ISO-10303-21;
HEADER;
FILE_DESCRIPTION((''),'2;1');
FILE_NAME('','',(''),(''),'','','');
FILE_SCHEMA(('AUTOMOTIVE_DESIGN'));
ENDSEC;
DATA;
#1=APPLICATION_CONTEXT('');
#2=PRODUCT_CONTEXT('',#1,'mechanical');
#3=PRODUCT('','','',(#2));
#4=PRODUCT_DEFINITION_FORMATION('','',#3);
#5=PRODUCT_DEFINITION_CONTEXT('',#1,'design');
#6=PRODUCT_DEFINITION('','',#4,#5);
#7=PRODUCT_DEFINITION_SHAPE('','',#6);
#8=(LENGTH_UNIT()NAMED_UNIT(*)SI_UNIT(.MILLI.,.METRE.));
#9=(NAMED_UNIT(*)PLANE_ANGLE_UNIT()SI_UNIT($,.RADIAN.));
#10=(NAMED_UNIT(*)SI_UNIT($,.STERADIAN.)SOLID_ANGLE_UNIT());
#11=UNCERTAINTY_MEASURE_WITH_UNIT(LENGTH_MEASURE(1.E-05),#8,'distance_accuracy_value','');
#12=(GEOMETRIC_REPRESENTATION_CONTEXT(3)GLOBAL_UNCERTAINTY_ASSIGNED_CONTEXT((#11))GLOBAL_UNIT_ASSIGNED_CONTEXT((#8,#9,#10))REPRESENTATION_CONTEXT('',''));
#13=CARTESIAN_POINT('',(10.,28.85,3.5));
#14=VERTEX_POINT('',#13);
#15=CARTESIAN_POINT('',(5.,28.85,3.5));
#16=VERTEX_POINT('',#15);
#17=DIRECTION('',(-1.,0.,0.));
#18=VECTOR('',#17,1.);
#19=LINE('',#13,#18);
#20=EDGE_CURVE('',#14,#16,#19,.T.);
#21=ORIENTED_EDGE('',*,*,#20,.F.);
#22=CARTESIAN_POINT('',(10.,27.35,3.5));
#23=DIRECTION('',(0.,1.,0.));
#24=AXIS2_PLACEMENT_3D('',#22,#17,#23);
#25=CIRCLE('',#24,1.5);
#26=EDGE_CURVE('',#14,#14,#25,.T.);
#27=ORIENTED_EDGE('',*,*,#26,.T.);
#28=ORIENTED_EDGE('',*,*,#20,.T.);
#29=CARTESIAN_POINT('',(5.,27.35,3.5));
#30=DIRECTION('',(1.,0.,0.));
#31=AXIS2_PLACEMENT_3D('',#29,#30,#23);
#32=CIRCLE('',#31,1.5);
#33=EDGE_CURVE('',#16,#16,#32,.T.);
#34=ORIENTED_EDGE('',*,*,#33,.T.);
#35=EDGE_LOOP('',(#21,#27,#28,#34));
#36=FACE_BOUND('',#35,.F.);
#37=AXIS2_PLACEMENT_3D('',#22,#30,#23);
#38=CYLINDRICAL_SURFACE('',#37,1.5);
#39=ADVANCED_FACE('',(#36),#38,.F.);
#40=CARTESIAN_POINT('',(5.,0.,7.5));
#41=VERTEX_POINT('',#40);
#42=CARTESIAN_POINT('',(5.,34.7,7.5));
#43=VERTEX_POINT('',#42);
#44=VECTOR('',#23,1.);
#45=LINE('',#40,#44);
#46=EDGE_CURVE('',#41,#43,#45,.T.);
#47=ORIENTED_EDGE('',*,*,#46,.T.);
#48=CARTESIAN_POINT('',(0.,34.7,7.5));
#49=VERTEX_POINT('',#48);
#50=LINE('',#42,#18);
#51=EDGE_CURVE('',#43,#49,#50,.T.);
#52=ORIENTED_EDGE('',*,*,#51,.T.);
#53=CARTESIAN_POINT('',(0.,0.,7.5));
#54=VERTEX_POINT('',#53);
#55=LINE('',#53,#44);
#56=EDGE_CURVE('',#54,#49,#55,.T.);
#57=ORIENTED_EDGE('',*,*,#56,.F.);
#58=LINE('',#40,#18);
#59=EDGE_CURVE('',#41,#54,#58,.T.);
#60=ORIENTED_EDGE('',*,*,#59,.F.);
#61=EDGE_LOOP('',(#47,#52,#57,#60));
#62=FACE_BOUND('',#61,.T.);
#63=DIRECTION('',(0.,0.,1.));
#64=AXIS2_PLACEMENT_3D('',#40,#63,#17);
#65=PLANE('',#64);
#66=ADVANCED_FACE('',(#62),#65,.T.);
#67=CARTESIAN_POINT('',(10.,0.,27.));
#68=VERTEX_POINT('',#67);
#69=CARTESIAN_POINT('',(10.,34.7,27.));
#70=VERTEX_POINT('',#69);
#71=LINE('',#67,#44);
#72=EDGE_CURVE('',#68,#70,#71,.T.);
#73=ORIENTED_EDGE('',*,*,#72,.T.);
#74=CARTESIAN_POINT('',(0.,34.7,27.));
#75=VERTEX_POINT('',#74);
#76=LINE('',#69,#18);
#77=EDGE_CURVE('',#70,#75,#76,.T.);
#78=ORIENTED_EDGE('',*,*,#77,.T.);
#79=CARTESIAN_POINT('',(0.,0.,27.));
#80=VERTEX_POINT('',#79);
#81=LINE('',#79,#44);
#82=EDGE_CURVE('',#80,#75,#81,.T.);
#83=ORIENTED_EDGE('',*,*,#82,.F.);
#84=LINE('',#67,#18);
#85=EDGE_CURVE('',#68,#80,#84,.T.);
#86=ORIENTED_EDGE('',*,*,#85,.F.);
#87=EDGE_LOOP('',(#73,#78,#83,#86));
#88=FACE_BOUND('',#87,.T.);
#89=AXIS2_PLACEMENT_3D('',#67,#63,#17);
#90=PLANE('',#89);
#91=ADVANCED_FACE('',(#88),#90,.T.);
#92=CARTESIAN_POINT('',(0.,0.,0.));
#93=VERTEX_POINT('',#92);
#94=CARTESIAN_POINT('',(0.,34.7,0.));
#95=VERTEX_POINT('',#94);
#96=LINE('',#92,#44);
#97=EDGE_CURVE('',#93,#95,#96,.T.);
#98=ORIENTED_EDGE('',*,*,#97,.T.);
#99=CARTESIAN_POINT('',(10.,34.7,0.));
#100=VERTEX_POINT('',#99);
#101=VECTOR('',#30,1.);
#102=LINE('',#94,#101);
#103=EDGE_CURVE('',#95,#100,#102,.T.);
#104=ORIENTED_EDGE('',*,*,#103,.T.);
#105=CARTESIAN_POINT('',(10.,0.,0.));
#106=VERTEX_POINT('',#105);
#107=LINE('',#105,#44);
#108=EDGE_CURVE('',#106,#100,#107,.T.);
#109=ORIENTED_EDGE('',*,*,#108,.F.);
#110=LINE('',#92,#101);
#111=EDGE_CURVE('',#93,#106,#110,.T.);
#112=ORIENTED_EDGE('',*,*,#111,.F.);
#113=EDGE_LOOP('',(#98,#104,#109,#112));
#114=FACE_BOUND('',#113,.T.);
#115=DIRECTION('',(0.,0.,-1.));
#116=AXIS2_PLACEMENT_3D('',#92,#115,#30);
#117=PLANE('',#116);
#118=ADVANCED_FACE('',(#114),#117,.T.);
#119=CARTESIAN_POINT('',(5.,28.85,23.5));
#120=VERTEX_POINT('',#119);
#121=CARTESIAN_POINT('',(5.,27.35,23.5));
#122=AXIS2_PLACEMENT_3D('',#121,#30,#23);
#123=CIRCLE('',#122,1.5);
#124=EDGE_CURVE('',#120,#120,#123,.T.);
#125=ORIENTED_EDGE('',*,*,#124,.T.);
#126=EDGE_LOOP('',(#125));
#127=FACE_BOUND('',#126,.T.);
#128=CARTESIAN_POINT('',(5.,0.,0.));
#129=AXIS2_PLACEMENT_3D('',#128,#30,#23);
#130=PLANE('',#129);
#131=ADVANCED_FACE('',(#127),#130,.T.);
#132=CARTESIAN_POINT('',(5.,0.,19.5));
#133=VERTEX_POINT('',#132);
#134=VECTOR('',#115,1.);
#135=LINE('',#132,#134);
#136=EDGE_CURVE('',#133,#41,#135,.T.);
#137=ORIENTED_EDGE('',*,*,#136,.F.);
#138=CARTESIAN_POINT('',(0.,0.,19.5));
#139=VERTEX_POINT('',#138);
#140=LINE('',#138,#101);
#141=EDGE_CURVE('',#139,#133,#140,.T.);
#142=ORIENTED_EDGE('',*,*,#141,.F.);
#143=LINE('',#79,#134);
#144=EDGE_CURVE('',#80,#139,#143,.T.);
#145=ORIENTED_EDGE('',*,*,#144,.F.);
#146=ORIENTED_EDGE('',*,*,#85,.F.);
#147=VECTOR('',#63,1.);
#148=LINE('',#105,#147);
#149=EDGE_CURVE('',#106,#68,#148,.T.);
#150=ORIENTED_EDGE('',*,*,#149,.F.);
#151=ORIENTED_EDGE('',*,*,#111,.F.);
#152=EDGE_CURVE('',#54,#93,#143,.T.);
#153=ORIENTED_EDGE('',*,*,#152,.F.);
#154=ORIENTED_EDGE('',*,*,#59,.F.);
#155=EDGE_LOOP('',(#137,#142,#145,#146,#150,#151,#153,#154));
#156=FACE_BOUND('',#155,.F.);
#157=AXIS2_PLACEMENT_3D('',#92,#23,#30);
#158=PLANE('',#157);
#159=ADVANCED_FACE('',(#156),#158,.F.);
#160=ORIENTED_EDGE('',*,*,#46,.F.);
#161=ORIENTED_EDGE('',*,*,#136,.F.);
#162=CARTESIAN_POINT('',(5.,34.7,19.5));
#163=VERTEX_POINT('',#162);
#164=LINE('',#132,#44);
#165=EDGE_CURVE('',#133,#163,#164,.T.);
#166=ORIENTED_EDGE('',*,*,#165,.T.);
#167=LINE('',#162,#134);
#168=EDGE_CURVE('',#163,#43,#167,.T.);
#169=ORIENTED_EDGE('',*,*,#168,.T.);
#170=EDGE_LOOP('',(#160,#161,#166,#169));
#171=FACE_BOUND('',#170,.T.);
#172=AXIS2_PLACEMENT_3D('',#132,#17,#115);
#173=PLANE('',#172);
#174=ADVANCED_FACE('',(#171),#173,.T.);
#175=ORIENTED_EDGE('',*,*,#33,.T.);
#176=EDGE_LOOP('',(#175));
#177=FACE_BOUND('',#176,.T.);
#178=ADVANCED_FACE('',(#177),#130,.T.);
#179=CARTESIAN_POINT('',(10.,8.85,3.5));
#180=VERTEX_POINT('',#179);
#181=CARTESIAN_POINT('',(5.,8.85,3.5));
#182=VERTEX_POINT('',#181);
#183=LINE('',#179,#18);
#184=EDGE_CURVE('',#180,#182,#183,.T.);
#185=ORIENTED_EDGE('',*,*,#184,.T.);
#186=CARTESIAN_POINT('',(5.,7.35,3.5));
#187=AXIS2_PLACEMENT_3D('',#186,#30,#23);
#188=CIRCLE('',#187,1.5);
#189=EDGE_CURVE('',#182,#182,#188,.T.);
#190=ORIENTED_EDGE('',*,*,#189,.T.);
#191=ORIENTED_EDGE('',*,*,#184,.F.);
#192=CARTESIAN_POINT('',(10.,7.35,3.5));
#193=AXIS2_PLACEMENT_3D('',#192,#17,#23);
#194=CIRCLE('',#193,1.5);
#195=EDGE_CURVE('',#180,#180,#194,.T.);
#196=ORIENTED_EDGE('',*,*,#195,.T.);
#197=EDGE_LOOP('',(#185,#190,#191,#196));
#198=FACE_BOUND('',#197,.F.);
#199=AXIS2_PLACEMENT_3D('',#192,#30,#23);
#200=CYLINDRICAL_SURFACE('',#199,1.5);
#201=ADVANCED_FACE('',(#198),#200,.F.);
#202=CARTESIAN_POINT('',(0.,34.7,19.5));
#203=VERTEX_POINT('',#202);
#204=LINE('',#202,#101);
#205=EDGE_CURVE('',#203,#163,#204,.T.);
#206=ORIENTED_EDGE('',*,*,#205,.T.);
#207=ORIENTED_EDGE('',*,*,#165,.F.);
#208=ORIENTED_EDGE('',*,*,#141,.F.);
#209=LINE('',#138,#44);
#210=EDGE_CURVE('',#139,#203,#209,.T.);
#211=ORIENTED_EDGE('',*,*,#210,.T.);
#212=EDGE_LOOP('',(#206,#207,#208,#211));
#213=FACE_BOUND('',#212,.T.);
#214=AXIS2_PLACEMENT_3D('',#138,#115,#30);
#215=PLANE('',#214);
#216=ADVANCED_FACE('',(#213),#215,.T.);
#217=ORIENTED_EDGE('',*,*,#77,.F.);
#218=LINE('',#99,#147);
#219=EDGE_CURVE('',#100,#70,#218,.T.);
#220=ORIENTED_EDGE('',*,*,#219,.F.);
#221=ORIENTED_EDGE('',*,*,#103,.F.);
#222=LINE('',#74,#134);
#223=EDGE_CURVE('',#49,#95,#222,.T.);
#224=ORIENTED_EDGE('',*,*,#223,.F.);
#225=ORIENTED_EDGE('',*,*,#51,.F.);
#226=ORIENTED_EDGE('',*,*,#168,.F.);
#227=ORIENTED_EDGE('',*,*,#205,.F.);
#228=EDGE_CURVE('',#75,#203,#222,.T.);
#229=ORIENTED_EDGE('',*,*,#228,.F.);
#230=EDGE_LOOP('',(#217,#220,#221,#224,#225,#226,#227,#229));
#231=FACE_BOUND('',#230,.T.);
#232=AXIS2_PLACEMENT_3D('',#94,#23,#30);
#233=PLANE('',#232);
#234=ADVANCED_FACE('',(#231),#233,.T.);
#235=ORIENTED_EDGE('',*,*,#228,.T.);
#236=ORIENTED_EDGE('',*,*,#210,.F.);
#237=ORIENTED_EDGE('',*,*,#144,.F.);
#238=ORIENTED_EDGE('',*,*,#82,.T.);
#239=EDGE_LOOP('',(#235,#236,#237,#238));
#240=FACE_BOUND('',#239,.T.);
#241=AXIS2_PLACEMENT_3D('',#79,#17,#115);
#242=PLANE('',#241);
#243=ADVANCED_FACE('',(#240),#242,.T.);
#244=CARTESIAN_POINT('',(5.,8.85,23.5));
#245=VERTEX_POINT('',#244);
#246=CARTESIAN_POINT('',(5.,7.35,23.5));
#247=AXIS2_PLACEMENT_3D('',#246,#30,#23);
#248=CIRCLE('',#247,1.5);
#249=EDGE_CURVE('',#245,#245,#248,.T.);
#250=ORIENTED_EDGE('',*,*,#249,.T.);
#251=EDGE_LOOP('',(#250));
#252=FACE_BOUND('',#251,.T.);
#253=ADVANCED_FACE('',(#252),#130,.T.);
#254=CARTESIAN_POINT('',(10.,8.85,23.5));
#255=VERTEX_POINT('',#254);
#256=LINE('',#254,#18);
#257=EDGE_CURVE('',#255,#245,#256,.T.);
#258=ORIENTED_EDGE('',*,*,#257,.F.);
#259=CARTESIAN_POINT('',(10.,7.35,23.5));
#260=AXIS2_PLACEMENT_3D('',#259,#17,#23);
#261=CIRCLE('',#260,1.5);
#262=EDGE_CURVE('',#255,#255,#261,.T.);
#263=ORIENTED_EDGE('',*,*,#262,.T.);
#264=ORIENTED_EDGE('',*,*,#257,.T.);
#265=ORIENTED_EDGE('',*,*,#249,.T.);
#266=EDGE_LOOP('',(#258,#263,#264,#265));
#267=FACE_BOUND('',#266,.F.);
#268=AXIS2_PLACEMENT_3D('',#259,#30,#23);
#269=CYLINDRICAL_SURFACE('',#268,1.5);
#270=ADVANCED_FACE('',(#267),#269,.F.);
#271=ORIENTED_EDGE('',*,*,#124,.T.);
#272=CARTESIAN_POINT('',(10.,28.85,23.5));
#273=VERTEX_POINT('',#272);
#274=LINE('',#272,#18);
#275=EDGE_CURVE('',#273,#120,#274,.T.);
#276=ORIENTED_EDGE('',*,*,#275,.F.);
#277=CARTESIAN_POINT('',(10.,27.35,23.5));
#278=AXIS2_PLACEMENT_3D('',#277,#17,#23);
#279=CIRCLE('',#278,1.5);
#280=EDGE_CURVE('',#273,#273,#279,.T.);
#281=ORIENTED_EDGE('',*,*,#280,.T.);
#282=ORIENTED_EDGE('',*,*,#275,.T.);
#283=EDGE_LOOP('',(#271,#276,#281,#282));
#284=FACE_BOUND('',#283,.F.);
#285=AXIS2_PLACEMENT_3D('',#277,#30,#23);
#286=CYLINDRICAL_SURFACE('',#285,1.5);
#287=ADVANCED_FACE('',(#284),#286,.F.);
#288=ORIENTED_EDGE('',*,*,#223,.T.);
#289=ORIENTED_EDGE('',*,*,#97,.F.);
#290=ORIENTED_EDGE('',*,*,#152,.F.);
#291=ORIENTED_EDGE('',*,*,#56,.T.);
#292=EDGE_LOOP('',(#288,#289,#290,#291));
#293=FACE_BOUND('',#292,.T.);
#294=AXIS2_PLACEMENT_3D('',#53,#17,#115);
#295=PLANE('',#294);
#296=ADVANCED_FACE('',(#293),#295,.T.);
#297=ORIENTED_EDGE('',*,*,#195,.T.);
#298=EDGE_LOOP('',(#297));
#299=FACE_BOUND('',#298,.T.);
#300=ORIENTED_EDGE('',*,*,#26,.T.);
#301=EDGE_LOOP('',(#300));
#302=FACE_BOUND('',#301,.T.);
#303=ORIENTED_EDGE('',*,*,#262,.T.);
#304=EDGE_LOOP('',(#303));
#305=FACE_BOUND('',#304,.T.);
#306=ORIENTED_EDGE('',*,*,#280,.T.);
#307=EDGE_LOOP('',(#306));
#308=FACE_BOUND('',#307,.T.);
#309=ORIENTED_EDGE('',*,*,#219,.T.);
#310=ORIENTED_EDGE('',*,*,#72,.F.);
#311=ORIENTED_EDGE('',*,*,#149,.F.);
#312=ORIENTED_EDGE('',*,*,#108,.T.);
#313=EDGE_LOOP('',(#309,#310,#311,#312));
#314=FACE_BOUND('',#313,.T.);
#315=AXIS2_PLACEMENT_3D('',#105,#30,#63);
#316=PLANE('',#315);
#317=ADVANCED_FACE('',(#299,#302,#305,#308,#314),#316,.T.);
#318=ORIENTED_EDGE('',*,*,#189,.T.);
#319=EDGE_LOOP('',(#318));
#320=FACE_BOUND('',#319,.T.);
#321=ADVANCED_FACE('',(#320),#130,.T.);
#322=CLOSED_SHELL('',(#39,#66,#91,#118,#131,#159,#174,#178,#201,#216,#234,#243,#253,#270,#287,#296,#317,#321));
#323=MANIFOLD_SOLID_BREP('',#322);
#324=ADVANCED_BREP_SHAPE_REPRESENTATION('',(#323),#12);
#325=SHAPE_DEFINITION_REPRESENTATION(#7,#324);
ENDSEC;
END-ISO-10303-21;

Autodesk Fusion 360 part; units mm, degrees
sketch "Sketch1" plane through (0, 0, 0) normal (0, 1, 0) x (1, 0, 0)
  line L0 (0, 0) -> (10, 0)
  line L1 (10, 0) -> (10, -27)
  line L2 (10, -27) -> (0, -27)
  line L3 (0, -27) -> (0, 0)
  line L4 (0, -19.5) -> (5, -19.5)
  line L5 (5, -19.5) -> (5, -7.5)
  line L6 (5, -7.5) -> (0, -7.5)
  line L7 (0, -7.5) -> (0, -19.5)
  dimension "d1" = 10
  dimension "d2" = 27
  dimension "d3" = 12
  dimension "d4" = 5
  dimension "d6" = 7.5
extrude "Extrude1" add sketch "Sketch1" along normal blind 34.7 contours L0 L1 L2 L3 L4 L5 L6
sketch "Sketch2" plane through (10, 0, 0) normal (1, 0, 0) x (0, 1, 0)
  line L0 (0, 27) -> (0, 0)
  line L1 (0, 0) -> (34.7, 0)
  line L2 (34.7, 0) -> (34.7, 27)
  line L3 (34.7, 27) -> (0, 27)
  line L4 (7.35, 3.5) -> (27.35, 3.5)
  line L5 (27.35, 3.5) -> (27.35, 23.5)
  line L6 (27.35, 23.5) -> (7.35, 23.5)
  line L7 (7.35, 23.5) -> (7.35, 3.5)
  circle A0 centre (7.35, 23.5) radius 1.5
  circle A1 centre (27.35, 23.5) radius 1.5
  circle A2 centre (7.35, 3.5) radius 1.5
  circle A3 centre (27.35, 3.5) radius 1.5
  dimension "d9" = 20
  dimension "d10" = 20
  dimension "d11" = 3.5
  dimension "d12" = 7.35
  dimension "d13" = 3
  dimension "d14" = 3
  dimension "d15" = 3
  dimension "d16" = 3
extrude "Extrude2" cut sketch "Sketch2" against normal blind 5 contours L4 L7 A2 | L4 L7 A2 | L4 L5 A3 | L4 L5 A3 | L6 L7 A0 | L6 L7 A0 | L5 L6 A1 | L5 L6 A1
equation "d12 = 9.85 mm - 2.5 mm"
